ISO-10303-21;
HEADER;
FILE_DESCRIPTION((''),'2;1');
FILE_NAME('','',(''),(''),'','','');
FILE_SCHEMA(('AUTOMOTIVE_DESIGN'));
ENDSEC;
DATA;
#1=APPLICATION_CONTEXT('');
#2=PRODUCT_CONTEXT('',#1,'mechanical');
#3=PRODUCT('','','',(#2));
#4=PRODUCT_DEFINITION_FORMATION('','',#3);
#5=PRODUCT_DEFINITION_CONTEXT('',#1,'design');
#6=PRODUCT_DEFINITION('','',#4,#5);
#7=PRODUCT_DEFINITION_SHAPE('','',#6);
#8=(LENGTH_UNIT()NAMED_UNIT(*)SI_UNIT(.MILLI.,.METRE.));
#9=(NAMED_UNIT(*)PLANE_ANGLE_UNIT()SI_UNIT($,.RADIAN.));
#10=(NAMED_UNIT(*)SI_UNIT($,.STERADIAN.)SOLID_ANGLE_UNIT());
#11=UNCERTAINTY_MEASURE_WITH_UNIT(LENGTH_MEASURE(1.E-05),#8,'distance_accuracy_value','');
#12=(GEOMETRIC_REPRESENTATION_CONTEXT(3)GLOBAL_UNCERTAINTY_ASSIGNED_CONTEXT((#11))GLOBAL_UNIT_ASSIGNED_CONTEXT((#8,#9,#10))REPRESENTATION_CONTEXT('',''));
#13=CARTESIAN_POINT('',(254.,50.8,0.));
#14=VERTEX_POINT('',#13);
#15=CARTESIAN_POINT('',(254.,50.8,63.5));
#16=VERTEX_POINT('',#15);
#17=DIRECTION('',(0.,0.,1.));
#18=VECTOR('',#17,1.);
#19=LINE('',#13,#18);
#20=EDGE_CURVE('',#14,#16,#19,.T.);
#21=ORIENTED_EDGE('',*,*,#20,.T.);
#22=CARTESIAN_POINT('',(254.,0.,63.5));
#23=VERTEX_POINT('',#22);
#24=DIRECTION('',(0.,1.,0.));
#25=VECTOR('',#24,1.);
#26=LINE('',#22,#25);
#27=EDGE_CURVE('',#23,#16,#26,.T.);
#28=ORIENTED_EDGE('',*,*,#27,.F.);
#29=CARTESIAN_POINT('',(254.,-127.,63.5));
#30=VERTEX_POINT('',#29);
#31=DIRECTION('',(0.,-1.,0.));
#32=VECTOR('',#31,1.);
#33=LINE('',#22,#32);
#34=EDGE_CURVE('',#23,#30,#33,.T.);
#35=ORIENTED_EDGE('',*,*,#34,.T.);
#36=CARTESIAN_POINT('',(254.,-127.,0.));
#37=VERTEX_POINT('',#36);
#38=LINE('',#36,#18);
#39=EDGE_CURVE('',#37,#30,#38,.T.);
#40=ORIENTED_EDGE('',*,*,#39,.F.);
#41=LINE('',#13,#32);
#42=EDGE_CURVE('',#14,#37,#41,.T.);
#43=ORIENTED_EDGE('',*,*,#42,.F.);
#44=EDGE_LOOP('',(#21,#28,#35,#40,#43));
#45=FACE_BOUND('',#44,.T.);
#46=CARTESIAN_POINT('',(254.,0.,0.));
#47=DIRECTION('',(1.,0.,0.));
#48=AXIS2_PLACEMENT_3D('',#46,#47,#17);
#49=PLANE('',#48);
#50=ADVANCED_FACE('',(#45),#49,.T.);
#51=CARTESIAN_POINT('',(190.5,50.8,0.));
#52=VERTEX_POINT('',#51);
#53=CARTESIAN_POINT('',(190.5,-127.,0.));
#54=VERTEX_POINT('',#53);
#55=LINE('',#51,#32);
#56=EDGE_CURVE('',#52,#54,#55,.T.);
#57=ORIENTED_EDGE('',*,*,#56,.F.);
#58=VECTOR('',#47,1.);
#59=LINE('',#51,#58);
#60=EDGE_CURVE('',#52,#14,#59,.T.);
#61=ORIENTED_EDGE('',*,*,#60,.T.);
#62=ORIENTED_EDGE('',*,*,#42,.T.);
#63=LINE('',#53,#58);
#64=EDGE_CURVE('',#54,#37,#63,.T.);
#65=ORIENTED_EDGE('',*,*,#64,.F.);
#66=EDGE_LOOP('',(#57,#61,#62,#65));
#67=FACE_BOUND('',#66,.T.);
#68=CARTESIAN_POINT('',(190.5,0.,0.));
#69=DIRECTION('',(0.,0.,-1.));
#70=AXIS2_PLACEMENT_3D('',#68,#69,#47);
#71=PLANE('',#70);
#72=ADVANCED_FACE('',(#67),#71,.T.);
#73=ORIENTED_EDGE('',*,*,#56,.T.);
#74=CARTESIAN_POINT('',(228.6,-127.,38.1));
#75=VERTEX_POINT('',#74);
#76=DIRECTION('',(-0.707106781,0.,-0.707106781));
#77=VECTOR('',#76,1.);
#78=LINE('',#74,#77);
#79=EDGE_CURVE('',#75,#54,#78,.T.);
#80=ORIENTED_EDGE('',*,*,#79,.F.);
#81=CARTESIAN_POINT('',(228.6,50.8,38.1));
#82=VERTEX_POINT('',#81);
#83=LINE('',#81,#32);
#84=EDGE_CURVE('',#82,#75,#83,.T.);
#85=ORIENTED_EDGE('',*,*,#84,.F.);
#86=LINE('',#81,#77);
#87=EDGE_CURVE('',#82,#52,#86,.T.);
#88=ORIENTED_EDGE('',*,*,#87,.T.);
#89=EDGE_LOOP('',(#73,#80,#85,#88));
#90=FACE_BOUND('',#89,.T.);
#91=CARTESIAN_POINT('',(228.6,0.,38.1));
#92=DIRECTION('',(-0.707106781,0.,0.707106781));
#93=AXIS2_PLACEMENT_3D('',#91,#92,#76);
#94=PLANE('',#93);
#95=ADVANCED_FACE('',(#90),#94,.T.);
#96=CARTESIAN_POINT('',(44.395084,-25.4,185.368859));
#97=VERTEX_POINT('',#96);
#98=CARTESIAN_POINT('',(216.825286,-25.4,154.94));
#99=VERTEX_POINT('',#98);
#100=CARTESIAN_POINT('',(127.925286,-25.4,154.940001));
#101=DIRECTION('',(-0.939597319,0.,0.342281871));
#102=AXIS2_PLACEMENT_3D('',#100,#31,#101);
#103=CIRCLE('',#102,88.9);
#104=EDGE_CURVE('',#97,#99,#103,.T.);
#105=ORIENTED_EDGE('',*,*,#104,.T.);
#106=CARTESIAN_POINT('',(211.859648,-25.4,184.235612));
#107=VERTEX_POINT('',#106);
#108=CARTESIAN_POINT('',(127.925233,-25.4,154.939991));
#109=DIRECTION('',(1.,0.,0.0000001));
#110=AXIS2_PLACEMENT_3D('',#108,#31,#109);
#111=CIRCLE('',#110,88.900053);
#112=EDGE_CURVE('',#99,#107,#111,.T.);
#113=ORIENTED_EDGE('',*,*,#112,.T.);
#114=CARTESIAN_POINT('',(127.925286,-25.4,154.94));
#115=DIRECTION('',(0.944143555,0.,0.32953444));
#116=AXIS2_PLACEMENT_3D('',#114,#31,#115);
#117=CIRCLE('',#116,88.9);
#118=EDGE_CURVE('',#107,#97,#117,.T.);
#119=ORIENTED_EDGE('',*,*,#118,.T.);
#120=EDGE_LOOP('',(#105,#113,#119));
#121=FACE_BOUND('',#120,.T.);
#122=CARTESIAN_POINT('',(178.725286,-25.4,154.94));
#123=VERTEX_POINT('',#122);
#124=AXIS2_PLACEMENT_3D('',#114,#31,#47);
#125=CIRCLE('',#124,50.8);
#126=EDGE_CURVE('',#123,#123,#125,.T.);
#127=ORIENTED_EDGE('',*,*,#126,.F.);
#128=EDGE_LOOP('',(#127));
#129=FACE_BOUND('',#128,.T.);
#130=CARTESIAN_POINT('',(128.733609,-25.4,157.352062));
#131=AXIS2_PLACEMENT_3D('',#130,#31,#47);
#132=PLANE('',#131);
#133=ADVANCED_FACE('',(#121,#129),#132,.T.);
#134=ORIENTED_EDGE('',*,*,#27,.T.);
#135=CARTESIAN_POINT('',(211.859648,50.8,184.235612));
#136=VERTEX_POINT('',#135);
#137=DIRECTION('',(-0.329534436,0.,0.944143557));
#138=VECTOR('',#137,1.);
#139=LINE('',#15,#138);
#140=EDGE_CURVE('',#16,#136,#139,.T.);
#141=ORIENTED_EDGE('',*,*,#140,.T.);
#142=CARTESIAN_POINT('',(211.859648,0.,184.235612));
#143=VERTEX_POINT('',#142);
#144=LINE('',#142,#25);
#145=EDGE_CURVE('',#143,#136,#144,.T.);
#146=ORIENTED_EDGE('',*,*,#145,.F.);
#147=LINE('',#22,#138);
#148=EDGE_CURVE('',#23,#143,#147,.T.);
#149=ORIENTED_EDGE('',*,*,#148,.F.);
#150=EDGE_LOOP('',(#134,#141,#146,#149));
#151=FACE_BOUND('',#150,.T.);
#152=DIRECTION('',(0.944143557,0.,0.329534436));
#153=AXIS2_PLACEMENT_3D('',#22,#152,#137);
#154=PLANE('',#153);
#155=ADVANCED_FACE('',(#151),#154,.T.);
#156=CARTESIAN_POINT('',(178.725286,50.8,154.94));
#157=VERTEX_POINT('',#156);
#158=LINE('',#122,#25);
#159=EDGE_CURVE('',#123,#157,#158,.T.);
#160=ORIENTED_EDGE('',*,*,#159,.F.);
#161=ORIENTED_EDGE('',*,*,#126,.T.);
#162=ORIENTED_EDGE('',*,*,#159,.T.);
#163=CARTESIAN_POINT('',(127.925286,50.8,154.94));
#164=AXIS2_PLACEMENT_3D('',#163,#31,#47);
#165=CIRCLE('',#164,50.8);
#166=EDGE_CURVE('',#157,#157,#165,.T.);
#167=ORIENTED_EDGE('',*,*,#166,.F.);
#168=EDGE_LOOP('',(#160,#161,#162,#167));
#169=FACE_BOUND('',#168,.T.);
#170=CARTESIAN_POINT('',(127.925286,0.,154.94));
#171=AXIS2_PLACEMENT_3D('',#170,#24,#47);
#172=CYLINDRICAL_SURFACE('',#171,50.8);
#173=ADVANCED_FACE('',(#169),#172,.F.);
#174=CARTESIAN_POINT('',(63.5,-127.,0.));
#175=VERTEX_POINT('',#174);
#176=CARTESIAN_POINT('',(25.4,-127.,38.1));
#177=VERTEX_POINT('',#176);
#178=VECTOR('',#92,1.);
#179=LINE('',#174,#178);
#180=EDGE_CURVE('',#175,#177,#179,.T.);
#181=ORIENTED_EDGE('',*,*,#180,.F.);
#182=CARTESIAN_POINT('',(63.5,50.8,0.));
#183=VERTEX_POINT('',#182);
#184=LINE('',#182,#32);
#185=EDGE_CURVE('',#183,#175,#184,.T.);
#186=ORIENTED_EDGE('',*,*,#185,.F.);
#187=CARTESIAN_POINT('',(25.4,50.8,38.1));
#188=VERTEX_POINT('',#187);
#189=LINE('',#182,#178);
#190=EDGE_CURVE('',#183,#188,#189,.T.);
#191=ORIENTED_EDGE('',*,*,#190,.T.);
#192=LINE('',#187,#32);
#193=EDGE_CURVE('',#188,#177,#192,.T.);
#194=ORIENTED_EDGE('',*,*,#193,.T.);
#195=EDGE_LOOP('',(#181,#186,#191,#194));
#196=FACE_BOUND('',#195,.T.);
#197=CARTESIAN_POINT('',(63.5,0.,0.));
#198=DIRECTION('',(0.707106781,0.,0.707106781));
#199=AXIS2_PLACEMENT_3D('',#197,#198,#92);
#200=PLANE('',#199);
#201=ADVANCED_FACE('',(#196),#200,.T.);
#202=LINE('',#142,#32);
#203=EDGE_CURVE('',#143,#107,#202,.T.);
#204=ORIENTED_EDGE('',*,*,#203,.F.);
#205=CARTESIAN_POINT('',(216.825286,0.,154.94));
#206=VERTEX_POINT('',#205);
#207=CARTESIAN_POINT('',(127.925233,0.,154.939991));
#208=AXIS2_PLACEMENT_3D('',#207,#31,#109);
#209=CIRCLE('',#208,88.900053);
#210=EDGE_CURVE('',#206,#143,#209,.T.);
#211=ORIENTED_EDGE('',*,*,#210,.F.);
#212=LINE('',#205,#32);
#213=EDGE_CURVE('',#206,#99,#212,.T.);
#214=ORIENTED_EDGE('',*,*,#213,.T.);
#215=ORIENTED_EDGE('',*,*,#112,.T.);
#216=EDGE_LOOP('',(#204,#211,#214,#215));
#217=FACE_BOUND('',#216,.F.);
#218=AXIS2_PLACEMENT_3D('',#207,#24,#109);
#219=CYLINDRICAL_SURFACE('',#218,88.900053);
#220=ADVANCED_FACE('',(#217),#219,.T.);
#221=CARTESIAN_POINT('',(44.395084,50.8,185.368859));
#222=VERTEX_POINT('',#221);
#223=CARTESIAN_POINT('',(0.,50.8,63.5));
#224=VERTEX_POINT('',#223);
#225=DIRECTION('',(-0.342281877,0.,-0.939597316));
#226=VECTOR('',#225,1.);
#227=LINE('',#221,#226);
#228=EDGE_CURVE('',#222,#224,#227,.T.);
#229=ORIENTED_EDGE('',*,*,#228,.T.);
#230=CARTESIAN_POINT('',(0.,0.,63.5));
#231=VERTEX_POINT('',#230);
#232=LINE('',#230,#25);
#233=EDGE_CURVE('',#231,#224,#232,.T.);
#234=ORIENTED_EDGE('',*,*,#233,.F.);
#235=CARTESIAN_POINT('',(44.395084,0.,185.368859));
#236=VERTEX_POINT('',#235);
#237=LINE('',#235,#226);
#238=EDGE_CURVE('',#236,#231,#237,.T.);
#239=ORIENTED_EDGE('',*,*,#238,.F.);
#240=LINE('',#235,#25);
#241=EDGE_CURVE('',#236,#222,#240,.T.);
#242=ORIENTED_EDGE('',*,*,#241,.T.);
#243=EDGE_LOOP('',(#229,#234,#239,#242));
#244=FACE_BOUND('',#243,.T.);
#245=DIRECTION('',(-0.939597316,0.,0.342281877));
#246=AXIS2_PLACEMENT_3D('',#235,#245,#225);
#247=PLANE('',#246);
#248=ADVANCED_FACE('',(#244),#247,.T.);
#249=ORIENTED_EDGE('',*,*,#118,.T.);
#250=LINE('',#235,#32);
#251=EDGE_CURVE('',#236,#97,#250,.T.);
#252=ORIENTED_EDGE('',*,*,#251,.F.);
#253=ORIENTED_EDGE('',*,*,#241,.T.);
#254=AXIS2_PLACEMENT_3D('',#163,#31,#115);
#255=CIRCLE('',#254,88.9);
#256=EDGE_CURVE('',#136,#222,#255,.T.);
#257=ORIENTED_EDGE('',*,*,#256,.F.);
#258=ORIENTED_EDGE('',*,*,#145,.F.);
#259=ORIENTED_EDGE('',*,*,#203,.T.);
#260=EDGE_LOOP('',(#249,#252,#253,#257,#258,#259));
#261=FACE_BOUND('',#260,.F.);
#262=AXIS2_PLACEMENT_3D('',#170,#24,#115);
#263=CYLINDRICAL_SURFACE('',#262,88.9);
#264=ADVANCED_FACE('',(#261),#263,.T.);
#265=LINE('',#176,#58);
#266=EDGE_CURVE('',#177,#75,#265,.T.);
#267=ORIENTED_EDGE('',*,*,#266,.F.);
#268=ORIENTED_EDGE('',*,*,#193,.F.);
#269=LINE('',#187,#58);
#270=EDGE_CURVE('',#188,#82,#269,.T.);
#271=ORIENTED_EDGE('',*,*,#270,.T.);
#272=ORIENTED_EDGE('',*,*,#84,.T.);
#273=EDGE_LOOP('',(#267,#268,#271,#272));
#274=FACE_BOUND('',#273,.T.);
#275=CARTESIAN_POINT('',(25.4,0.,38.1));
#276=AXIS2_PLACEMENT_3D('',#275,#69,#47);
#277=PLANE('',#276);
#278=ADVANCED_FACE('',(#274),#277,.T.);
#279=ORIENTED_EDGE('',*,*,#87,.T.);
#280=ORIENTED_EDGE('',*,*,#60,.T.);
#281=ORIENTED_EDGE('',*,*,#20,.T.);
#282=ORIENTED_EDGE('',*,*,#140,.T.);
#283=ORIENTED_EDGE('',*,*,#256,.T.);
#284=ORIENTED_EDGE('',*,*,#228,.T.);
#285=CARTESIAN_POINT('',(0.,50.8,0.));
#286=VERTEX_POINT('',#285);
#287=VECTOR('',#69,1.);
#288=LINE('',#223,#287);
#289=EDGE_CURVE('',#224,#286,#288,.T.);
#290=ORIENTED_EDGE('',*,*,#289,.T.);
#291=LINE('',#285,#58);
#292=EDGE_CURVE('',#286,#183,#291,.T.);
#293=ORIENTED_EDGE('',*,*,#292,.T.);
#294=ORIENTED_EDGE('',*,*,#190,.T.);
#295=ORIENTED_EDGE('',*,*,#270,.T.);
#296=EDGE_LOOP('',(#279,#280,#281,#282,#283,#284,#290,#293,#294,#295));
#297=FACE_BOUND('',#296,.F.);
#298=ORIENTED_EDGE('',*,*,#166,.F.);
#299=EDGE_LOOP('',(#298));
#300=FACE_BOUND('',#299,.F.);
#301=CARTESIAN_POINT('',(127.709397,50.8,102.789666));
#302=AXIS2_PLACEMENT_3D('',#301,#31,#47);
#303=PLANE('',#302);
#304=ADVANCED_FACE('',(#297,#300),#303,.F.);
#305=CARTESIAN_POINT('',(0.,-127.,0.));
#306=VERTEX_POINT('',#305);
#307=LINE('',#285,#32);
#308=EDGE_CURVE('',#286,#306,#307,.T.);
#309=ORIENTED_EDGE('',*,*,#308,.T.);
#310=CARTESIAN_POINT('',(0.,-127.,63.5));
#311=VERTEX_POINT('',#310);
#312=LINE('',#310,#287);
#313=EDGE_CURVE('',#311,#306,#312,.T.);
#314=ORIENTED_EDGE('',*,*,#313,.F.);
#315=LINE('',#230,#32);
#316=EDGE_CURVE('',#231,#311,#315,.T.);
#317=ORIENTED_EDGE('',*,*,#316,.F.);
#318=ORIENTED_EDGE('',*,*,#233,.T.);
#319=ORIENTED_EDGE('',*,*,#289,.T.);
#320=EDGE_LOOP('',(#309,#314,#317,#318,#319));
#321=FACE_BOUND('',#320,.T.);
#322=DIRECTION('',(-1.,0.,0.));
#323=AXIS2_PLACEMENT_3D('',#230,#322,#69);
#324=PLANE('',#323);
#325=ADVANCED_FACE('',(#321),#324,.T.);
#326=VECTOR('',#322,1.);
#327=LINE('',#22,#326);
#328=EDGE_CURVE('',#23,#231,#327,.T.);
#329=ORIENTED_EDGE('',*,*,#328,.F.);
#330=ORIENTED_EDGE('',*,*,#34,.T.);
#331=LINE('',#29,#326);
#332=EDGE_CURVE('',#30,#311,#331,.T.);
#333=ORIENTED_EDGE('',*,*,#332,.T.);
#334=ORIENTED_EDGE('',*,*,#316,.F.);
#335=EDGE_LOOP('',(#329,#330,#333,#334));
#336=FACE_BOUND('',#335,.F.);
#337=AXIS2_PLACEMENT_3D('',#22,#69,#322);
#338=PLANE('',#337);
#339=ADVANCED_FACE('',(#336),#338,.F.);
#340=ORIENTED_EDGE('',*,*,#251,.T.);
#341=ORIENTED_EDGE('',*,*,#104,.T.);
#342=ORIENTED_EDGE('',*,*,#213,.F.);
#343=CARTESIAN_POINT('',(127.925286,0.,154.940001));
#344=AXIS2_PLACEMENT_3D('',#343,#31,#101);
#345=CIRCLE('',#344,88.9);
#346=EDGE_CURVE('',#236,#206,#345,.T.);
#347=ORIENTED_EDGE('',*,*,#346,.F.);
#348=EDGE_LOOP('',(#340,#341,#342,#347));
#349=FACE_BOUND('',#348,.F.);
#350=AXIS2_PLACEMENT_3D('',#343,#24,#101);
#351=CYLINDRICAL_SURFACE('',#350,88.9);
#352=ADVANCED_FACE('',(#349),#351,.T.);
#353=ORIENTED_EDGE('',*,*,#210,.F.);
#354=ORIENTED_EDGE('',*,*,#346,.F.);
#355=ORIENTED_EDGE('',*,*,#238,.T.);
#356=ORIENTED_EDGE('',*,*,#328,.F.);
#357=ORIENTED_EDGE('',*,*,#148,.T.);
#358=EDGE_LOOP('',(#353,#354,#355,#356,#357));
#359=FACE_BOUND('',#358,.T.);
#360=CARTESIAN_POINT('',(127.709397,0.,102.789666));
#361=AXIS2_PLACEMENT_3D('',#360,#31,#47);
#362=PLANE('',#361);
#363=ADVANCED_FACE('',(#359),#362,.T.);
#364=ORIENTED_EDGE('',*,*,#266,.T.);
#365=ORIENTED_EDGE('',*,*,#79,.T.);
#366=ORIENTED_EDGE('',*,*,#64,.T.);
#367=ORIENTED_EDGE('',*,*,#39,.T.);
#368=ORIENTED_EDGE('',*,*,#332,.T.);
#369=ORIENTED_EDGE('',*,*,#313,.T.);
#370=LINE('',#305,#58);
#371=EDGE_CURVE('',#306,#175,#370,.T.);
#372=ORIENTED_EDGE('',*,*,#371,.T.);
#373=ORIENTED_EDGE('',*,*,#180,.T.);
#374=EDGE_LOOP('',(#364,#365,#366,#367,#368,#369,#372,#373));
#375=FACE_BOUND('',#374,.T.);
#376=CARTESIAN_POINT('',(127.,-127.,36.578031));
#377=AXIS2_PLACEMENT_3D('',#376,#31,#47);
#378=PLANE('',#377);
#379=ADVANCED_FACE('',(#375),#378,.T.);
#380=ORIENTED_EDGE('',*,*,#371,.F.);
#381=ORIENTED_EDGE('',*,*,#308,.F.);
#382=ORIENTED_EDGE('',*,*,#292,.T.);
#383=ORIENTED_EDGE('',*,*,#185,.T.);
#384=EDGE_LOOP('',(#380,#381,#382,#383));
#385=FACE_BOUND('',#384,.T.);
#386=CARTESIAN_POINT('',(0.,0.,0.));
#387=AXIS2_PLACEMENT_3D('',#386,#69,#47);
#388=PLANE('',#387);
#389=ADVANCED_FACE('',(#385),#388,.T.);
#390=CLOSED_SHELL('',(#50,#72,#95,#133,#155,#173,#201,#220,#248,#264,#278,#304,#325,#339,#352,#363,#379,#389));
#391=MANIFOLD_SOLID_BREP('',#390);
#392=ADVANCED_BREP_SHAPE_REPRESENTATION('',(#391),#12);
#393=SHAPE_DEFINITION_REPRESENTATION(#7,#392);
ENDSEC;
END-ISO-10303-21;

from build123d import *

# Parameters (mm, degrees)
F1_DEPTH = 127
F0_R     = 50.8
F2_DEPTH = 50.8
F3_DEPTH = 25.4


with BuildPart() as f1:
    # F0 (on Front) → F1 (new body)
    with BuildSketch(Plane.XZ):
        Polygon((0, 63.5), (0, 0), (63.5, 0), (25.4, 38.1), (63.5, 38.1), (190.5, 38.1), (228.6, 38.1), (190.5, 0), (254, 0), (254, 63.5), align=None)
    extrude(amount=F1_DEPTH)

    # F0 (on Front) → F2 (join)
    with BuildSketch(Plane.XZ):
        with BuildLine():
            Line((44.395084, 185.368859), (0, 63.5))
            Line((0, 63.5), (254, 63.5))
            Line((254, 63.5), (211.859648, 184.235612))
            ThreePointArc((211.859648, 184.235612), (215.575085, 169.796736), (216.825286, 154.94))
            ThreePointArc((216.825286, 154.94), (112.47577, 67.392742), (44.395084, 185.368859))
        make_face()
        with BuildLine():
            ThreePointArc((211.859648, 184.235612), (128.526866, 243.837965), (44.395084, 185.368859))
            ThreePointArc((44.395084, 185.368859), (112.47577, 67.392742), (216.825286, 154.94))
            ThreePointArc((216.825286, 154.94), (215.575085, 169.796736), (211.859648, 184.235612))
        make_face()
        with Locations((127.925286, 154.94)):
            Circle(F0_R, mode=Mode.SUBTRACT)
        Polygon((0, 63.5), (0, 0), (63.5, 0), (25.4, 38.1), (63.5, 38.1), (190.5, 38.1), (228.6, 38.1), (190.5, 0), (254, 0), (254, 63.5), align=None)
    extrude(amount=-F2_DEPTH)

    # F0 (on Front) → F3 (join)
    with BuildSketch(Plane.XZ):
        with BuildLine():
            ThreePointArc((211.859648, 184.235612), (128.526866, 243.837965), (44.395084, 185.368859))
            ThreePointArc((44.395084, 185.368859), (112.47577, 67.392742), (216.825286, 154.94))
            ThreePointArc((216.825286, 154.94), (215.575085, 169.796736), (211.859648, 184.235612))
        make_face()
        with Locations((127.925286, 154.94)):
            Circle(F0_R, mode=Mode.SUBTRACT)
    extrude(amount=F3_DEPTH)


solid = f1.part
